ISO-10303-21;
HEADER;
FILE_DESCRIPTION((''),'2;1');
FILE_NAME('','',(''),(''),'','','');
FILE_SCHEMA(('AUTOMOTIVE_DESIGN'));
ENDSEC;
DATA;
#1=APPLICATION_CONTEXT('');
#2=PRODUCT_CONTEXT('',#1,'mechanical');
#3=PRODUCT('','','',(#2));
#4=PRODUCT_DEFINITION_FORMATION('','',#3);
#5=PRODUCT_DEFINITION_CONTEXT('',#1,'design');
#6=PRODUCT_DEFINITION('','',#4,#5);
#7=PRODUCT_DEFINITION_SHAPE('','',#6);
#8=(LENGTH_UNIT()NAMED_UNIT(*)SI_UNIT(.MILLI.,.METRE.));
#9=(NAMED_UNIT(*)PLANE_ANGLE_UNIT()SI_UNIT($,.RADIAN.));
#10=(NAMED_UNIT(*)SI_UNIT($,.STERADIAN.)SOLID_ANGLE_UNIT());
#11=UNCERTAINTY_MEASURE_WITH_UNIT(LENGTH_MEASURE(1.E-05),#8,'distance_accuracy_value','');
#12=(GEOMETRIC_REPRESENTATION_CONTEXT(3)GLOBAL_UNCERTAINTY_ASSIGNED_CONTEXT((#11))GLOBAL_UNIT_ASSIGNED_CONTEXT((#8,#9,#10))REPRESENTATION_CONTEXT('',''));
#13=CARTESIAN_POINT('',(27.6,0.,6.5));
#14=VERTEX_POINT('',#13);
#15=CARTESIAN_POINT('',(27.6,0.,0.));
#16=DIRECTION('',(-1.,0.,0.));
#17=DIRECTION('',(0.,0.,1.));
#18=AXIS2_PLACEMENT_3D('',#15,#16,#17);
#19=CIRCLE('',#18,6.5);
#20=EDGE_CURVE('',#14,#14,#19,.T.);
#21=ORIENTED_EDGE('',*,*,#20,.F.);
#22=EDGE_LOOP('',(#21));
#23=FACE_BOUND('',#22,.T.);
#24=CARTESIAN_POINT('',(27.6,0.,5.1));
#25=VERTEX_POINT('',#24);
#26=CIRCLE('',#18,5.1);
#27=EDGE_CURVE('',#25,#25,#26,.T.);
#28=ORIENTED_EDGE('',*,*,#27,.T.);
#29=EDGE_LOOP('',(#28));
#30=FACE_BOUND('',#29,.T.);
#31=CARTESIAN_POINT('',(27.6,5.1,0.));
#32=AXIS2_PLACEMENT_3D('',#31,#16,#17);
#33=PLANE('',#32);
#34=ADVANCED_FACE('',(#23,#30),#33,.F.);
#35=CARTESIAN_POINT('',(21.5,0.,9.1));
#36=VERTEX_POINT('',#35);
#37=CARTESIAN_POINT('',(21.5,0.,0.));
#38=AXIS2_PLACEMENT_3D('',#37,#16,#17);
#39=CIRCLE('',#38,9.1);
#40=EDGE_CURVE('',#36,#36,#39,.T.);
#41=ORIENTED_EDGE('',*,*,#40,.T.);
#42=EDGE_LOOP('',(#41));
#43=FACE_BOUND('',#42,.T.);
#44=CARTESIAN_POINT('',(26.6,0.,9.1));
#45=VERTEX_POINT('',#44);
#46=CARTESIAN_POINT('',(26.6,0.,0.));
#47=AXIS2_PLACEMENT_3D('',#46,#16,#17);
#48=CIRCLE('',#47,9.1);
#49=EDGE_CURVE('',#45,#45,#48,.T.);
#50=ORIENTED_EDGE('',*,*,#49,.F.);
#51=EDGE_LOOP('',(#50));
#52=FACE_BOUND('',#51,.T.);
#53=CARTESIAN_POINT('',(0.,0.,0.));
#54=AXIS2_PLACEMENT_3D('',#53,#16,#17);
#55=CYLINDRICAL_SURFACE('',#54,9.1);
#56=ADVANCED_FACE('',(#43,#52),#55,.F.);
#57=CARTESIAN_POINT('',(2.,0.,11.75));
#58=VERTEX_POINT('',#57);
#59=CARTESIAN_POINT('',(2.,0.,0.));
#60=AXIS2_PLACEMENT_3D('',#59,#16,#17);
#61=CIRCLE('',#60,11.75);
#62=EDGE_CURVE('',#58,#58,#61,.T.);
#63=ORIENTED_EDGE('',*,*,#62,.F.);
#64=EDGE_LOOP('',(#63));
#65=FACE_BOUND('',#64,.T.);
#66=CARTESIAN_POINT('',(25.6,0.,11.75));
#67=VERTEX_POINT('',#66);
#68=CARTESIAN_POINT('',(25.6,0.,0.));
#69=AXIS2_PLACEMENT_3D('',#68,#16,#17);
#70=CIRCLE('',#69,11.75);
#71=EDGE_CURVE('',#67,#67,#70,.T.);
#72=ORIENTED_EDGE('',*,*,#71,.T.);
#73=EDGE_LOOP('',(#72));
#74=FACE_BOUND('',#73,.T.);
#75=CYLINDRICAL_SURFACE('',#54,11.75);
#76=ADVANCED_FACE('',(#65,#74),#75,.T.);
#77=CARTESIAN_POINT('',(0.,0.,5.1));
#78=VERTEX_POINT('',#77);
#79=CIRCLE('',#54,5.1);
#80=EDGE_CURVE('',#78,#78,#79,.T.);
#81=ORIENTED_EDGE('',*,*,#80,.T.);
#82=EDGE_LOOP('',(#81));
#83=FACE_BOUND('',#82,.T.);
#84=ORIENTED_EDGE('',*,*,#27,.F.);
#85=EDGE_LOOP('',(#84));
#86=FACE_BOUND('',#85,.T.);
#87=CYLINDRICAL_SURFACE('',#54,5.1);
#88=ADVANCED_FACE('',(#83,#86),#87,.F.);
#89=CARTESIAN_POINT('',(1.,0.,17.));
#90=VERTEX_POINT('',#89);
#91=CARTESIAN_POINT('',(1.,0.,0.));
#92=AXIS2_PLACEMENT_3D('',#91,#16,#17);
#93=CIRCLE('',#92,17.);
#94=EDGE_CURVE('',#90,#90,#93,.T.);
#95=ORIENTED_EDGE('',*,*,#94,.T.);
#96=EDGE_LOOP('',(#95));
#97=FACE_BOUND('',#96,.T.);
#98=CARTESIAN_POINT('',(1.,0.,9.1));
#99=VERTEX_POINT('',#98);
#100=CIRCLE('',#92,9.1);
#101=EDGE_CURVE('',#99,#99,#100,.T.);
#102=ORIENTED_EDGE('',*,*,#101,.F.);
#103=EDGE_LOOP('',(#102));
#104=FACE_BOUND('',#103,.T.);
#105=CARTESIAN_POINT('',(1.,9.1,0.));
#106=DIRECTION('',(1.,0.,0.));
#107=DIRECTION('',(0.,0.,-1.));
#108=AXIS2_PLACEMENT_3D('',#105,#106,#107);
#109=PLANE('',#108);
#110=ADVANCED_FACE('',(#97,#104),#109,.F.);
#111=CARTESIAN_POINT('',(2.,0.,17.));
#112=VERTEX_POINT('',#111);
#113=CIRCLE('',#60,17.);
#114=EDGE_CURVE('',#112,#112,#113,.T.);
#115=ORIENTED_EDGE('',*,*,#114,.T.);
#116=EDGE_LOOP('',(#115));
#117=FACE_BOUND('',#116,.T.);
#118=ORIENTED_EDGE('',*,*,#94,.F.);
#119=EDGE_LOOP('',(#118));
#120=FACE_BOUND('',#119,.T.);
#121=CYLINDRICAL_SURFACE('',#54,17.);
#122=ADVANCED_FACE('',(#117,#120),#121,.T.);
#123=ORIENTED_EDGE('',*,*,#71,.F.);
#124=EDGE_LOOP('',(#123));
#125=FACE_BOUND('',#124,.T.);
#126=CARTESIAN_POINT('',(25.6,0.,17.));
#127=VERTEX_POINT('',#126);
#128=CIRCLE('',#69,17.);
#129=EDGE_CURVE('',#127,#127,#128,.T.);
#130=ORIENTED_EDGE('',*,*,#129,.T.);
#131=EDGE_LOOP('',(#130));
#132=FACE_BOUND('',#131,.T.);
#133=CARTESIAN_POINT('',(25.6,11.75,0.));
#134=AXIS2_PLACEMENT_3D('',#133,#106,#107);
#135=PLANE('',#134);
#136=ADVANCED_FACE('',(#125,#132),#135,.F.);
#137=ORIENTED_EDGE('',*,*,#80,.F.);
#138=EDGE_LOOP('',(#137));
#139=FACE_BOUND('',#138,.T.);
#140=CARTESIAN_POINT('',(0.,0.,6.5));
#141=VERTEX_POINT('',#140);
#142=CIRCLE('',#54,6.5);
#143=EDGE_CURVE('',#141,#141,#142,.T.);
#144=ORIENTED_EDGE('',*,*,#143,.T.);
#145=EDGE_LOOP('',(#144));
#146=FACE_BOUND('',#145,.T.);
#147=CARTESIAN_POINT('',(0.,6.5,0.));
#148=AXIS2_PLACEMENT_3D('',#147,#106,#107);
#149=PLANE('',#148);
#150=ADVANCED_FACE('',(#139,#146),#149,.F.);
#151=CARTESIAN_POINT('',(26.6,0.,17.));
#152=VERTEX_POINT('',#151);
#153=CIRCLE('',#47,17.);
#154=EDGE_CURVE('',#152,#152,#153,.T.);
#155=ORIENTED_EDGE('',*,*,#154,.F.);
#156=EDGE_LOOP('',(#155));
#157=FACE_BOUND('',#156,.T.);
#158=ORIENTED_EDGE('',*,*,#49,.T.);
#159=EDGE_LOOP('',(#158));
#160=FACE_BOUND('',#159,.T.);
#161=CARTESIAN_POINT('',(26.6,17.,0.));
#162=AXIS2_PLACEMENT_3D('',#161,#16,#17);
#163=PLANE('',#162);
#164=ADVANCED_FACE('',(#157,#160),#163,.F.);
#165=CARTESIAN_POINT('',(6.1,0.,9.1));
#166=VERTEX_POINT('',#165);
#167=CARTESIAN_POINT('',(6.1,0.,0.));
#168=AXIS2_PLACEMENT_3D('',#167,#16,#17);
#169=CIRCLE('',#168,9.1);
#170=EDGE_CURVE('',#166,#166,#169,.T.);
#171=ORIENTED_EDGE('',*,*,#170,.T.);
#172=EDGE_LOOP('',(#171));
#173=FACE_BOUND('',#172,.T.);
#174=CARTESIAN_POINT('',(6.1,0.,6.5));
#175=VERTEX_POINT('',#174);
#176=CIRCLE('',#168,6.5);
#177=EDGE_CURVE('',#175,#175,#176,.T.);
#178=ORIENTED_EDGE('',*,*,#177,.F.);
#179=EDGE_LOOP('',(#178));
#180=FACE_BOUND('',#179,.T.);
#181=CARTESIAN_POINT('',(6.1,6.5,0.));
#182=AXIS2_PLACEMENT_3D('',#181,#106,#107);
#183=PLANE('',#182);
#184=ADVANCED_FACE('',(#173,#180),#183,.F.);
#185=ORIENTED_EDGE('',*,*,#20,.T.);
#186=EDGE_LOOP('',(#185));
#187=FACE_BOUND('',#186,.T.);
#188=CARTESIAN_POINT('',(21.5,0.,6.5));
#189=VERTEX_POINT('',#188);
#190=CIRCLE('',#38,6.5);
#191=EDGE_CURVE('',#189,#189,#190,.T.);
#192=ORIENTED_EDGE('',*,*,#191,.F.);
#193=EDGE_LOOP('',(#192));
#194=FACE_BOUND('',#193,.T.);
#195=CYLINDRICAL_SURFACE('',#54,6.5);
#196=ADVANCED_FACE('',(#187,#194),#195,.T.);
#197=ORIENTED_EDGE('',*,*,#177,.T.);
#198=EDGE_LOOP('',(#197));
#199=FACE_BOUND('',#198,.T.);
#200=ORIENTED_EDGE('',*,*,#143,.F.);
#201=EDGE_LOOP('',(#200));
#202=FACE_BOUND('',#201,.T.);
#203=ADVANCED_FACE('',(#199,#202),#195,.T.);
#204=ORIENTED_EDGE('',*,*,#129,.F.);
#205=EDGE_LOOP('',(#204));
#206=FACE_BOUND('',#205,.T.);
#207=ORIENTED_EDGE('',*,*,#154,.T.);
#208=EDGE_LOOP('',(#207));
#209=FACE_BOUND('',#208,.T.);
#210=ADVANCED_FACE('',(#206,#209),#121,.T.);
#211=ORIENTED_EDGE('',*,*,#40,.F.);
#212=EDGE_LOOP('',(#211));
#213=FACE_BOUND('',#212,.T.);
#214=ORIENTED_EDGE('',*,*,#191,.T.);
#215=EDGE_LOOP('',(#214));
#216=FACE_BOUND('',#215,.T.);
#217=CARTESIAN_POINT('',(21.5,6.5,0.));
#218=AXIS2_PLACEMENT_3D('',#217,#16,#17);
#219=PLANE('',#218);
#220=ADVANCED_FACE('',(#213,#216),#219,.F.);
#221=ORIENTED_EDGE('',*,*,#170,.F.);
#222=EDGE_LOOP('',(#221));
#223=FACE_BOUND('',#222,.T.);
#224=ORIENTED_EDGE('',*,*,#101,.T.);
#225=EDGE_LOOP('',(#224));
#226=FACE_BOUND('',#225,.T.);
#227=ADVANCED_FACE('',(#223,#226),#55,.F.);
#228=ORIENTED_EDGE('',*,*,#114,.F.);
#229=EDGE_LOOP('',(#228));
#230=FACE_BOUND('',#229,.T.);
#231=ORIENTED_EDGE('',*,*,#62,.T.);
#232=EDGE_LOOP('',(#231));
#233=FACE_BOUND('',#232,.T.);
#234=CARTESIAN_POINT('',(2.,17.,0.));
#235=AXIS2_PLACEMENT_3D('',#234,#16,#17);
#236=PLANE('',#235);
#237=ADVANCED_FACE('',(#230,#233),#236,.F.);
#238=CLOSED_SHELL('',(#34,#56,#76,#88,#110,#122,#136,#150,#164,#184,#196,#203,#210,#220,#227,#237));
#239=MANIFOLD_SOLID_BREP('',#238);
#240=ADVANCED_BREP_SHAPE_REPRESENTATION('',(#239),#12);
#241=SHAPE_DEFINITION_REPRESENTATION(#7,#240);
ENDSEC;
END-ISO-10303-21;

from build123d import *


with BuildPart() as part:
    # Sketch1 → Revolve1 (revolve)
    with BuildSketch(Plane.XY, mode=Mode.PRIVATE) as revolve1_sk:
        Polygon((0, 6.5), (0, 5.1), (27.6, 5.1), (27.6, 6.5), (21.5, 6.5), (21.5, 9.1), (26.6, 9.1), (26.6, 17), (25.6, 17), (25.6, 11.75), (2, 11.75), (2, 17), (1, 17), (1, 9.1), (6.1, 9.1), (6.1, 6.5), align=None)
    revolve(revolve1_sk.sketch.rotate(Axis((0, 0, 0), (1, 0, 0)), 90), axis=Axis((0, 0, 0), (1, 0, 0)))


solid = part.part
